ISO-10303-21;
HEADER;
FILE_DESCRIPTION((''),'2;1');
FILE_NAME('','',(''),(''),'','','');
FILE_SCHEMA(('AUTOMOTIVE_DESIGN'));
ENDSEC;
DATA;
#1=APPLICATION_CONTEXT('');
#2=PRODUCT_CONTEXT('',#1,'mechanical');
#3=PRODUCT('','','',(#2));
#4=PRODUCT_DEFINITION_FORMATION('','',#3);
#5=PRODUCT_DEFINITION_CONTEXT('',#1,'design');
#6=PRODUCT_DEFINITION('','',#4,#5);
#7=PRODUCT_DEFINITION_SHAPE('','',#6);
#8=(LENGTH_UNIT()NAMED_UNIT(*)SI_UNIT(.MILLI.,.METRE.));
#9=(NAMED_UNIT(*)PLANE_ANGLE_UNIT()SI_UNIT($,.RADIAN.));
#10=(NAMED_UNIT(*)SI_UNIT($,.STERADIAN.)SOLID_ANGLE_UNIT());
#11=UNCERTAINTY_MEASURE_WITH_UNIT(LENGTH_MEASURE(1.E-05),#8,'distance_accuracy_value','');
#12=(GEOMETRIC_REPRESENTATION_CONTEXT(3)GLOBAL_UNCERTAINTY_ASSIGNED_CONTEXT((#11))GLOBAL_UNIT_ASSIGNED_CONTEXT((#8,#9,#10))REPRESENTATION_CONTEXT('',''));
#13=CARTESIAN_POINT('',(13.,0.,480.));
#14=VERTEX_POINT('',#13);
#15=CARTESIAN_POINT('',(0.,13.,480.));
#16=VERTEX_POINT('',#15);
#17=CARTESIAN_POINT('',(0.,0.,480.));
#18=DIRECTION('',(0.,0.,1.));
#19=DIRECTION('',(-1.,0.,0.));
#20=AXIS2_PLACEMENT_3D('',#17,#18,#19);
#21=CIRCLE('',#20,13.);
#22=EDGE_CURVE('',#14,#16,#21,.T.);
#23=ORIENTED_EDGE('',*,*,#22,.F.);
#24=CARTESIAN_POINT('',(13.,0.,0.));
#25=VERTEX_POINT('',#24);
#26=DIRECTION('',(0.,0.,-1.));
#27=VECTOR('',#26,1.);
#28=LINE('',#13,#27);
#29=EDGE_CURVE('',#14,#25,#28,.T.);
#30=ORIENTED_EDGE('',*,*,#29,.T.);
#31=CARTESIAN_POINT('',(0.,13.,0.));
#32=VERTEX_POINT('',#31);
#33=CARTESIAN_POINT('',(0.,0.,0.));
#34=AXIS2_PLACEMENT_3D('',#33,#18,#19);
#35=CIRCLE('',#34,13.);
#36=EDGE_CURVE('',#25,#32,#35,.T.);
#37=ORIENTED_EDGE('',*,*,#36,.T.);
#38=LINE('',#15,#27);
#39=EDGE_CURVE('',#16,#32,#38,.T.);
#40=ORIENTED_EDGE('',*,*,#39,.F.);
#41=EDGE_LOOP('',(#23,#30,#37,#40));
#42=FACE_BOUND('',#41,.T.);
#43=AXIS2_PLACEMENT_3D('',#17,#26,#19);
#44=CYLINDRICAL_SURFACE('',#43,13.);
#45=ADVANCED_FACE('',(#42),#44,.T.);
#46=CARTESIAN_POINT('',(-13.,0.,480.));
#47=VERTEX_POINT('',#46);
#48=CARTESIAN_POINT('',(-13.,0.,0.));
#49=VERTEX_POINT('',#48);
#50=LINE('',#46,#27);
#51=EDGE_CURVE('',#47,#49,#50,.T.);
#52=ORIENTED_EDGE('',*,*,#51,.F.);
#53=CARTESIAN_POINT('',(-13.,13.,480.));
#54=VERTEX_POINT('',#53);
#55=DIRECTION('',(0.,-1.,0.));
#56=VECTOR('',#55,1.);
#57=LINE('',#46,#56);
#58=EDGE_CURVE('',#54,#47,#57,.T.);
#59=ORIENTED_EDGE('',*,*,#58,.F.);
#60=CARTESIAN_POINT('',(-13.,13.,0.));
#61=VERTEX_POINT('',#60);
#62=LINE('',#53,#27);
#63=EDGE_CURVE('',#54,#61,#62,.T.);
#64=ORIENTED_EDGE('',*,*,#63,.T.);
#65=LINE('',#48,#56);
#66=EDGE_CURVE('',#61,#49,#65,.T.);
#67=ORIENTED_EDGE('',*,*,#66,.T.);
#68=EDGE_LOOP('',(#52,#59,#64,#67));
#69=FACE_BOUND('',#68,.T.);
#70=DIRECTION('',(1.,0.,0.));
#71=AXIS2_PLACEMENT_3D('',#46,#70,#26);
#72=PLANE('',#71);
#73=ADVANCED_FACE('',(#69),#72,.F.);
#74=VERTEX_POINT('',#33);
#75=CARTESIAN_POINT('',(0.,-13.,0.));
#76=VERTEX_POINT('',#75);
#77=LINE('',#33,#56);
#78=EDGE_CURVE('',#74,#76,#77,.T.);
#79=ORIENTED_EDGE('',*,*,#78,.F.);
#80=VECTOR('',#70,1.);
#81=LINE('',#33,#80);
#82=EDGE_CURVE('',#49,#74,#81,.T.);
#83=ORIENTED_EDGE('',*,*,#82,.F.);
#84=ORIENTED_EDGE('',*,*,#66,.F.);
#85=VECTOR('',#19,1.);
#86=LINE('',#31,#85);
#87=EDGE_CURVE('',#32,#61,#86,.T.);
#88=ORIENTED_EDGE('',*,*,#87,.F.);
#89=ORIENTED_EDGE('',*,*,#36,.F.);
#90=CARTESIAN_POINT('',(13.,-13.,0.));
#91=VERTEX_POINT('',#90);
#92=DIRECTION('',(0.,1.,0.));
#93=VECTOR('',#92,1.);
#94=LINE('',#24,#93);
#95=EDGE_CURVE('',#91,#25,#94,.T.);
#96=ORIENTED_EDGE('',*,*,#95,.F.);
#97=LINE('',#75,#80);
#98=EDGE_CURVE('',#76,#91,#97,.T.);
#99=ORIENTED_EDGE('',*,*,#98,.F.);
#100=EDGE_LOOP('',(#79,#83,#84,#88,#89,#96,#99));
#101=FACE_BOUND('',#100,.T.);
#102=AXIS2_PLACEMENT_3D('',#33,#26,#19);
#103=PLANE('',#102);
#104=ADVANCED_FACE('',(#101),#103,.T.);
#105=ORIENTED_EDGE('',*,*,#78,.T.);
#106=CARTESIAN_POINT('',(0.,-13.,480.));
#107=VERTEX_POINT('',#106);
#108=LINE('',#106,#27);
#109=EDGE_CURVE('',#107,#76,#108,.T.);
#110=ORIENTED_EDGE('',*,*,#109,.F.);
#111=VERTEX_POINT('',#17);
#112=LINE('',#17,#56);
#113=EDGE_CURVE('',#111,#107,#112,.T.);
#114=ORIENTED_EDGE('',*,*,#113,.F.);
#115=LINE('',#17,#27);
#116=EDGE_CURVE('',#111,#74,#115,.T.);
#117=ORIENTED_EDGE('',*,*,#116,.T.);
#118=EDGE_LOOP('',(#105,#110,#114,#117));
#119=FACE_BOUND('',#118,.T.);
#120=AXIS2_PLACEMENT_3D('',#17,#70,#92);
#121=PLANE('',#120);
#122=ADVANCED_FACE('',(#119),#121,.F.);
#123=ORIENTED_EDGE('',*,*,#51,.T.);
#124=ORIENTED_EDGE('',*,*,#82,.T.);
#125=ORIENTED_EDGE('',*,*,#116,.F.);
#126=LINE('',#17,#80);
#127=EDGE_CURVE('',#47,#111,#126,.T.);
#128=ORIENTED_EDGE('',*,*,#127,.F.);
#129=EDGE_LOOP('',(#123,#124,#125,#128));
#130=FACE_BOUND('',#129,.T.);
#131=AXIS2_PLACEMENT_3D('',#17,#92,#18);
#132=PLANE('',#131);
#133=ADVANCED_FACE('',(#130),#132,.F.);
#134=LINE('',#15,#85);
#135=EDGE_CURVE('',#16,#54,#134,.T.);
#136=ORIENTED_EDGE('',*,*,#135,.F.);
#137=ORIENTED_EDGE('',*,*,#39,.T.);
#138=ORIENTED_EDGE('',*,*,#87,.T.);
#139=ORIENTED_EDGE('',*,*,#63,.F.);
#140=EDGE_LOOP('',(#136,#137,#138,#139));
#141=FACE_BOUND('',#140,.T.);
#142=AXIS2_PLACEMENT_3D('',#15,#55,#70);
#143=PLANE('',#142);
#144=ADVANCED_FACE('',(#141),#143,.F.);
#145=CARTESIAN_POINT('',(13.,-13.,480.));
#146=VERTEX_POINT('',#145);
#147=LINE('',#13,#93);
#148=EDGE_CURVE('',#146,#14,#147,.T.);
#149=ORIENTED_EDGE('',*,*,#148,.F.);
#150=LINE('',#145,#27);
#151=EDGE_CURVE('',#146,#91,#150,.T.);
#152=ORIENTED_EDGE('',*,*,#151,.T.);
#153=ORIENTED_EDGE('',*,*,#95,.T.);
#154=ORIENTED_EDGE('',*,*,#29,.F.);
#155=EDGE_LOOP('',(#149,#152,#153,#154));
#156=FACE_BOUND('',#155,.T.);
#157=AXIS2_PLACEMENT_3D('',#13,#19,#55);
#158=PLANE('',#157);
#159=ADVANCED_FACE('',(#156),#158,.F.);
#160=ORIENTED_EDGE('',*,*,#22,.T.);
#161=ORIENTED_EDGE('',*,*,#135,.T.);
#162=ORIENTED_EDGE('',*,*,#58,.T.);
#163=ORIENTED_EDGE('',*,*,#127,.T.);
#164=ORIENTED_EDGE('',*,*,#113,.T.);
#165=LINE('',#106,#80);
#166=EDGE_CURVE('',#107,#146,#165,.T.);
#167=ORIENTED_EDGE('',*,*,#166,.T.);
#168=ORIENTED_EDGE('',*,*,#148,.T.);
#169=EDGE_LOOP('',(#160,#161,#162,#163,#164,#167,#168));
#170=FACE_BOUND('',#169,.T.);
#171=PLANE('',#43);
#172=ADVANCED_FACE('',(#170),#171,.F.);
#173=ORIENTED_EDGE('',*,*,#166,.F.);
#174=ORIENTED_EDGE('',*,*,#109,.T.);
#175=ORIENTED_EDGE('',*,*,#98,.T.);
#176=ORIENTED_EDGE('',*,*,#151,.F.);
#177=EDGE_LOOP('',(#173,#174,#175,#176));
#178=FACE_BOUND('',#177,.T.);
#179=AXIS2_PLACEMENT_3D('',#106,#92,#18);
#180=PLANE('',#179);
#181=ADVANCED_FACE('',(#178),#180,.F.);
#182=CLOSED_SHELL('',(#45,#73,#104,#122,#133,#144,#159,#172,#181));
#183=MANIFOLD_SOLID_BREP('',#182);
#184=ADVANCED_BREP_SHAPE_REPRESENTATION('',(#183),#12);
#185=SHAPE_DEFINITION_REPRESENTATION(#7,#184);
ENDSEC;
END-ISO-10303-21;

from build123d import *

# Parameters (mm, degrees)
BOSS_EXTRUDE1_DEPTH = 480


with BuildPart() as part:
    # Sketch1 → Boss-Extrude1 (new body)
    with BuildSketch(Plane.XY):
        with BuildLine():
            Line((0, 0), (-13, 0))
            Line((-13, 0), (-13, 13))
            Line((-13, 13), (0, 13))
            ThreePointArc((0, 13), (9.192388155, 9.192388155), (13, 0))
            Line((13, 0), (13, -13))
            Line((13, -13), (0, -13))
            Line((0, -13), (0, 0))
        make_face()
    extrude(amount=BOSS_EXTRUDE1_DEPTH)


solid = part.part
